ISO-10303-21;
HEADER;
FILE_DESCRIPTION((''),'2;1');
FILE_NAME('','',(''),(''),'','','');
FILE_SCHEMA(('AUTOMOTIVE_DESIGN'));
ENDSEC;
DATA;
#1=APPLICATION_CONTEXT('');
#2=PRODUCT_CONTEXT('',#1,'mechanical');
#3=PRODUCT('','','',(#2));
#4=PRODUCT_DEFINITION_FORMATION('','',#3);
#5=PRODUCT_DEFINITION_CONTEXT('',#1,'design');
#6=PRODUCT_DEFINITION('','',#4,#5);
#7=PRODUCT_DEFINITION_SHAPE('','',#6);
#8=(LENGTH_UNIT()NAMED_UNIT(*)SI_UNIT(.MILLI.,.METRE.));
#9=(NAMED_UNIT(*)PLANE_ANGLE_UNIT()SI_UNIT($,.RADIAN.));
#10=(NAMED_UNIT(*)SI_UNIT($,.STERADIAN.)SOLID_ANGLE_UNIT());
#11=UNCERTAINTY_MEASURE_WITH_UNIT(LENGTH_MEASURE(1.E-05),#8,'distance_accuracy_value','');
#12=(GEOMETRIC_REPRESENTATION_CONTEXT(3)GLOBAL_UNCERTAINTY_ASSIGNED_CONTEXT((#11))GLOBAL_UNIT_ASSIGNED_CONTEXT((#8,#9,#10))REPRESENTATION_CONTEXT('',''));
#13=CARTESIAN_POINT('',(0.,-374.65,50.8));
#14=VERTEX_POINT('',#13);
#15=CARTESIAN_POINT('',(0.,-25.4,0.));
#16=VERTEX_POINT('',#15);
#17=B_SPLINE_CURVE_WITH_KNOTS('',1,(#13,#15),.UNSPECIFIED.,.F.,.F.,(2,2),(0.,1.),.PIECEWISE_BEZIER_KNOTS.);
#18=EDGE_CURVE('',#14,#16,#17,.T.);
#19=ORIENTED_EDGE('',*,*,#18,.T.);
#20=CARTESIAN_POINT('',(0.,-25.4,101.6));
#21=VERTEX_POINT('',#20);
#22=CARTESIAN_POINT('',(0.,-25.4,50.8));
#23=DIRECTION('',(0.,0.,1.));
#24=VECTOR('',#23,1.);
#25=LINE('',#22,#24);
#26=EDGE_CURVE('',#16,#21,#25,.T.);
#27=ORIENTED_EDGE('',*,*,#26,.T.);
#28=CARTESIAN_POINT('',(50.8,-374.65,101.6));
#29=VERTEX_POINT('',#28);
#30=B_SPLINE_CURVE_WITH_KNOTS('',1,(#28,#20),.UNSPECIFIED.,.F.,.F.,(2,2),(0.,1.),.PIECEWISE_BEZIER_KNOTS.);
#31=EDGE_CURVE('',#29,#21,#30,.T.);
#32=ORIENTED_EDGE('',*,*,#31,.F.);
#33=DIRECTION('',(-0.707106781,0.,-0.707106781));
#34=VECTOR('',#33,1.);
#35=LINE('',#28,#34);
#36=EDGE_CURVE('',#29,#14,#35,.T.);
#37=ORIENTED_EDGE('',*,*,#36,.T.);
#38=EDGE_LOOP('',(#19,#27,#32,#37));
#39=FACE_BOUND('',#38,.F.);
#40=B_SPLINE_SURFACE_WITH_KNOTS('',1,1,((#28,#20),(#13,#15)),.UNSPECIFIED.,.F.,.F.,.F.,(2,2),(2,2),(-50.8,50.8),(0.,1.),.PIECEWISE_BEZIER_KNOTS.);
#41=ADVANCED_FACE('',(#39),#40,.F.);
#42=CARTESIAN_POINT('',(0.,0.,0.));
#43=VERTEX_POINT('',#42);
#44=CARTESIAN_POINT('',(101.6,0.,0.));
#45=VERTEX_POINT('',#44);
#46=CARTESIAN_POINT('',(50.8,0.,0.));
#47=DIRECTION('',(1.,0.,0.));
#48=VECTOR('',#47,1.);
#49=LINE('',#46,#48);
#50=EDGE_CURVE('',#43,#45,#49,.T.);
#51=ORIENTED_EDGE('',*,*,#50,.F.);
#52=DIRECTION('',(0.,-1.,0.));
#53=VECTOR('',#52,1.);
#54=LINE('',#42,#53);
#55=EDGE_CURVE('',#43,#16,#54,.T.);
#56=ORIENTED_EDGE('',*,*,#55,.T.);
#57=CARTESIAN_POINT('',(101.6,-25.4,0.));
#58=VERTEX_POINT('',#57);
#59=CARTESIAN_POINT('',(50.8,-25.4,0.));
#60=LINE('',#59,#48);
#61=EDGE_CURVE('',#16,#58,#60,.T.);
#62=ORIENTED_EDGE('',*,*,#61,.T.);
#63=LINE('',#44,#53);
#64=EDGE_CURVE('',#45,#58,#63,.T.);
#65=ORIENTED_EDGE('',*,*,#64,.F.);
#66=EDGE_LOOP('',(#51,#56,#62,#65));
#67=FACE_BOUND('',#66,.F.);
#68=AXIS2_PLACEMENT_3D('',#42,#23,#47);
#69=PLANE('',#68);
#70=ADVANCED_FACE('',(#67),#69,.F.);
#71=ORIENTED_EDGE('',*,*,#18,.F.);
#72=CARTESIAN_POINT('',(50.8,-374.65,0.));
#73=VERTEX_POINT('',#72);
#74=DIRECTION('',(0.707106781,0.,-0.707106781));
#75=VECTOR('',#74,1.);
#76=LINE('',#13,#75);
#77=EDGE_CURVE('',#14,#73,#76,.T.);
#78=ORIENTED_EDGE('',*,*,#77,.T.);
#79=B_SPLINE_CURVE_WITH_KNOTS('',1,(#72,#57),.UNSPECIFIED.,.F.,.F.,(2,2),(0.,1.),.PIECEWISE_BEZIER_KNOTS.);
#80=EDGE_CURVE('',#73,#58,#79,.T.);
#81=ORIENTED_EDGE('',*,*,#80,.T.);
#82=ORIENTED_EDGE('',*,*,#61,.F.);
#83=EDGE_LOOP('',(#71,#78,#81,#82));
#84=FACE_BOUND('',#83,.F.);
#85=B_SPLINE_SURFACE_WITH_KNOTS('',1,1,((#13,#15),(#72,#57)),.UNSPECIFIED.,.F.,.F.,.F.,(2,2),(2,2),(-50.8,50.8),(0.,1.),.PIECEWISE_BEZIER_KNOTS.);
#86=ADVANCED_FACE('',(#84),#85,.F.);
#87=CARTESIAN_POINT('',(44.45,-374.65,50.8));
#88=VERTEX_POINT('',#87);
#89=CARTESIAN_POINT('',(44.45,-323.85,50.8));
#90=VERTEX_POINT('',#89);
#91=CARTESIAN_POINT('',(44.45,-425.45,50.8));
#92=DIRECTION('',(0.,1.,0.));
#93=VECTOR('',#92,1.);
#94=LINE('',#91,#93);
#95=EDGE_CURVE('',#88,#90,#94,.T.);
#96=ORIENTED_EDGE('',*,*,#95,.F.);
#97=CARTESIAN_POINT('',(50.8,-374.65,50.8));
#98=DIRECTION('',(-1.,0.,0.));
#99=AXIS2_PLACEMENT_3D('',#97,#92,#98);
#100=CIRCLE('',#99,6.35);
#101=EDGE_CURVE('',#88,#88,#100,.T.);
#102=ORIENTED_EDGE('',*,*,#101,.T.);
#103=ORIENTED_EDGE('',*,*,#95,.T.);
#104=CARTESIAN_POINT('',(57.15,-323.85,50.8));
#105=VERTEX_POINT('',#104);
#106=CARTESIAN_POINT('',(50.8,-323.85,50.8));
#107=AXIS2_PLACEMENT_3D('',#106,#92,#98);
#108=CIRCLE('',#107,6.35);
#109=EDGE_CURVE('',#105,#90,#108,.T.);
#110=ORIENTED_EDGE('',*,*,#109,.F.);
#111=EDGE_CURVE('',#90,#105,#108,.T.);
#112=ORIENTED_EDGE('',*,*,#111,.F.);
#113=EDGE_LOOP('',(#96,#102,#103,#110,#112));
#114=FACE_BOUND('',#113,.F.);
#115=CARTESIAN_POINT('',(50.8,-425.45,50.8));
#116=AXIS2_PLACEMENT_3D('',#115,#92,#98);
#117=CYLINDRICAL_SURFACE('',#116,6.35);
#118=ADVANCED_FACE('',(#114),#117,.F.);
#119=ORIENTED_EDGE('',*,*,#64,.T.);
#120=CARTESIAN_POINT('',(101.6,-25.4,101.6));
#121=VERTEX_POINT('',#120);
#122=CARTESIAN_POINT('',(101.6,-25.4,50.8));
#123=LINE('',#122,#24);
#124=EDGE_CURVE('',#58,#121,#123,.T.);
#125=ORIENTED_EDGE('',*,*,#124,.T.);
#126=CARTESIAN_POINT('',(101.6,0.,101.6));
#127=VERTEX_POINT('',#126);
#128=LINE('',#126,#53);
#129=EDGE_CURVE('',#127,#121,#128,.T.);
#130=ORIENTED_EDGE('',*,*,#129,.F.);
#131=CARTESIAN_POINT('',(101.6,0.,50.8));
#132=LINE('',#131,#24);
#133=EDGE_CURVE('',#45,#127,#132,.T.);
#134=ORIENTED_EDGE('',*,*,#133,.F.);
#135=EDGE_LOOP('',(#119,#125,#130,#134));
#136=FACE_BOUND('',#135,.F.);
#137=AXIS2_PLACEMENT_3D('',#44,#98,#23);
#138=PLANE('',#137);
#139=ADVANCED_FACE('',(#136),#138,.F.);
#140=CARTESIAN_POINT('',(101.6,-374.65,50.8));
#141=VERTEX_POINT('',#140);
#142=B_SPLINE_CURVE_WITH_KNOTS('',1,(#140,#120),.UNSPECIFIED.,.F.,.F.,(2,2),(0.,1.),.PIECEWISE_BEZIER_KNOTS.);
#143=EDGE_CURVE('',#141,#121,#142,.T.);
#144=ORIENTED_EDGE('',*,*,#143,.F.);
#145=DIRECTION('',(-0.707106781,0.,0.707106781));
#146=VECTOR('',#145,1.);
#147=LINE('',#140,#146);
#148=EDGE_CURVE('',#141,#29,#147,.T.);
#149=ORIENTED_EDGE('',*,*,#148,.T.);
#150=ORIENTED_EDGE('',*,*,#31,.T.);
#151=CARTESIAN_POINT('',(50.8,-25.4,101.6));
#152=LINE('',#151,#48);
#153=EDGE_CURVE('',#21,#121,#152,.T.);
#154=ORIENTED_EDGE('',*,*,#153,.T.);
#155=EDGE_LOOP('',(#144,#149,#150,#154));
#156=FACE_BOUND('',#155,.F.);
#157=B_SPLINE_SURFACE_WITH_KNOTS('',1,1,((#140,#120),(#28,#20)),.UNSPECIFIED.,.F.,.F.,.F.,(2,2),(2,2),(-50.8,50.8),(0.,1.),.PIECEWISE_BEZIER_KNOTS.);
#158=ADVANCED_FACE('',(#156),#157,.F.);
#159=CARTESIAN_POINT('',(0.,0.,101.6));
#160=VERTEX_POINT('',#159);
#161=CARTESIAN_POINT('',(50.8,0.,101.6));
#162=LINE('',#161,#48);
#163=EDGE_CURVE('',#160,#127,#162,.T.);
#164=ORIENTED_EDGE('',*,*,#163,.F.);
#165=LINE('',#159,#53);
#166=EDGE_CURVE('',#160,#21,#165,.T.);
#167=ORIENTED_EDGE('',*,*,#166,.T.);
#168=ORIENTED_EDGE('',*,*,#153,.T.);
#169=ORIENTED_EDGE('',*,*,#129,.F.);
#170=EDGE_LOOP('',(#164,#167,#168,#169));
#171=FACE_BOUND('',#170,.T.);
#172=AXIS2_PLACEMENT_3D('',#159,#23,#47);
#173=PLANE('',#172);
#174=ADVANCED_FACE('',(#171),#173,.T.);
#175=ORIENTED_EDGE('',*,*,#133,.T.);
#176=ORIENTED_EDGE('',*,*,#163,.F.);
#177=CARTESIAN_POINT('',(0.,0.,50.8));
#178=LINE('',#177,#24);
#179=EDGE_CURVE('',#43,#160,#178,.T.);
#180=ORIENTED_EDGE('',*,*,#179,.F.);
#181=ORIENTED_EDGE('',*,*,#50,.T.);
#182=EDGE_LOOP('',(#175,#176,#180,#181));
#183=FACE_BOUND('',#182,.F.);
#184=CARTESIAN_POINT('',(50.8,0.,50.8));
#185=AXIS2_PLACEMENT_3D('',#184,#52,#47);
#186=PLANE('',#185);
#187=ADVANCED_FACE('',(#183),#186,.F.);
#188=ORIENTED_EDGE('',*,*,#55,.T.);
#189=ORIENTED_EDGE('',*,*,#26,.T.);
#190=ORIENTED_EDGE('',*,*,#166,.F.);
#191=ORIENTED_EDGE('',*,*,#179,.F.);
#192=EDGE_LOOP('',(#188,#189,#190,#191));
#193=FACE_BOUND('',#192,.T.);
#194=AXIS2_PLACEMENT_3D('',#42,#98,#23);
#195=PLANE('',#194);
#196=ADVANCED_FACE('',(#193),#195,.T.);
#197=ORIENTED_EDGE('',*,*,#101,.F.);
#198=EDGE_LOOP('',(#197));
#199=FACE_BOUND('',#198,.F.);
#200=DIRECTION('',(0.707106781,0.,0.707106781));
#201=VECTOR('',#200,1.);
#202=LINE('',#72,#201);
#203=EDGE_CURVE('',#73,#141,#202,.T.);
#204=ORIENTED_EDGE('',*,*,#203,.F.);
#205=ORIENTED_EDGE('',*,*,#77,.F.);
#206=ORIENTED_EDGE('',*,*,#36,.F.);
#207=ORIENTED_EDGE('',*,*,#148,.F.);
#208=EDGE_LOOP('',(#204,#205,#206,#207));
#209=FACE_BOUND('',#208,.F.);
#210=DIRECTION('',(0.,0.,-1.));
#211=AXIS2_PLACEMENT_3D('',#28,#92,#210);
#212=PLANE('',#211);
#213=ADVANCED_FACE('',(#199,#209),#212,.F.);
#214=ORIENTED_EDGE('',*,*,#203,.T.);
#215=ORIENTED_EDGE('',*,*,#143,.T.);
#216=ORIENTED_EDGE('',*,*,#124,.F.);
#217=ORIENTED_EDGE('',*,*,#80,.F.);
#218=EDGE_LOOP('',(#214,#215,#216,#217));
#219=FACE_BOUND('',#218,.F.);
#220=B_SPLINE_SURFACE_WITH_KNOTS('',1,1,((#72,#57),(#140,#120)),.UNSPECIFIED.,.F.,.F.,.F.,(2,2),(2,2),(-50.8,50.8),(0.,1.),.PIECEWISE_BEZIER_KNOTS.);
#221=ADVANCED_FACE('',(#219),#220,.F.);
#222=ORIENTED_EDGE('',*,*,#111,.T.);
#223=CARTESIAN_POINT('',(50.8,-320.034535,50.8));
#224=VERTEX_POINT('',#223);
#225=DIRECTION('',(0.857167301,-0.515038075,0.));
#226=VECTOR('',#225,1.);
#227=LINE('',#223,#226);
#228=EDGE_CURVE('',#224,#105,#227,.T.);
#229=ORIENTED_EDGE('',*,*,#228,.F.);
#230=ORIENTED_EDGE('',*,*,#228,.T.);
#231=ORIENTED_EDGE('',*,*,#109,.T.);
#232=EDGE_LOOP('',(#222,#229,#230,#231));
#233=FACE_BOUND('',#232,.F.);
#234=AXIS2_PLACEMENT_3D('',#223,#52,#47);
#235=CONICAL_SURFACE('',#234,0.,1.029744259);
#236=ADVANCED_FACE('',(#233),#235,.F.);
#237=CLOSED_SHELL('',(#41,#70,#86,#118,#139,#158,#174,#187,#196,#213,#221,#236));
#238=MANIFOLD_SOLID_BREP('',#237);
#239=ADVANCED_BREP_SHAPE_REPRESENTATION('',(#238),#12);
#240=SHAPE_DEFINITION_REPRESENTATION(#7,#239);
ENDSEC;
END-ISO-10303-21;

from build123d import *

# Parameters (mm, degrees)
F0_W      = 101.6
F0_H      = 101.6
F1_DEPTH  = 25.4
F1_FACE_W = 101.6
F1_FACE_H = 101.6
F6_D      = 12.7
F6_DEPTH  = 50.8
F6_TIP    = 3.8154649308


with BuildPart() as f1:
    # F0 (on Front) → F1 (new body)
    with BuildSketch(Plane.XZ):
        with Locations((50.8, 50.8)):
            Rectangle(F0_W, F0_H)
    extrude(amount=F1_DEPTH)

    # F3 (on offset) → F4 section 0
    with BuildSketch(Plane.XZ.offset(374.65)):
        Polygon((50.8, 101.6), (0, 50.8), (50.8, 0), (101.6, 50.8), align=None)
    # F1_face (on face) → F4 section 1
    with BuildSketch(Plane(origin=(50.8, -25.4, 50.8), x_dir=(1, 0, 0), z_dir=(0, -1, 0))):
        Rectangle(F1_FACE_W, F1_FACE_H)
    loft()

    # F6
    with Locations(Plane.XZ.offset(374.65)):
        with Locations((50.8, 50.8)):
            Hole(F6_D / 2, depth=F6_DEPTH)
            with Locations((0, 0, -(F6_DEPTH + F6_TIP / 2))):  # 118° drill point
                Cone(0, F6_D / 2, F6_TIP, mode=Mode.SUBTRACT)


solid = f1.part
